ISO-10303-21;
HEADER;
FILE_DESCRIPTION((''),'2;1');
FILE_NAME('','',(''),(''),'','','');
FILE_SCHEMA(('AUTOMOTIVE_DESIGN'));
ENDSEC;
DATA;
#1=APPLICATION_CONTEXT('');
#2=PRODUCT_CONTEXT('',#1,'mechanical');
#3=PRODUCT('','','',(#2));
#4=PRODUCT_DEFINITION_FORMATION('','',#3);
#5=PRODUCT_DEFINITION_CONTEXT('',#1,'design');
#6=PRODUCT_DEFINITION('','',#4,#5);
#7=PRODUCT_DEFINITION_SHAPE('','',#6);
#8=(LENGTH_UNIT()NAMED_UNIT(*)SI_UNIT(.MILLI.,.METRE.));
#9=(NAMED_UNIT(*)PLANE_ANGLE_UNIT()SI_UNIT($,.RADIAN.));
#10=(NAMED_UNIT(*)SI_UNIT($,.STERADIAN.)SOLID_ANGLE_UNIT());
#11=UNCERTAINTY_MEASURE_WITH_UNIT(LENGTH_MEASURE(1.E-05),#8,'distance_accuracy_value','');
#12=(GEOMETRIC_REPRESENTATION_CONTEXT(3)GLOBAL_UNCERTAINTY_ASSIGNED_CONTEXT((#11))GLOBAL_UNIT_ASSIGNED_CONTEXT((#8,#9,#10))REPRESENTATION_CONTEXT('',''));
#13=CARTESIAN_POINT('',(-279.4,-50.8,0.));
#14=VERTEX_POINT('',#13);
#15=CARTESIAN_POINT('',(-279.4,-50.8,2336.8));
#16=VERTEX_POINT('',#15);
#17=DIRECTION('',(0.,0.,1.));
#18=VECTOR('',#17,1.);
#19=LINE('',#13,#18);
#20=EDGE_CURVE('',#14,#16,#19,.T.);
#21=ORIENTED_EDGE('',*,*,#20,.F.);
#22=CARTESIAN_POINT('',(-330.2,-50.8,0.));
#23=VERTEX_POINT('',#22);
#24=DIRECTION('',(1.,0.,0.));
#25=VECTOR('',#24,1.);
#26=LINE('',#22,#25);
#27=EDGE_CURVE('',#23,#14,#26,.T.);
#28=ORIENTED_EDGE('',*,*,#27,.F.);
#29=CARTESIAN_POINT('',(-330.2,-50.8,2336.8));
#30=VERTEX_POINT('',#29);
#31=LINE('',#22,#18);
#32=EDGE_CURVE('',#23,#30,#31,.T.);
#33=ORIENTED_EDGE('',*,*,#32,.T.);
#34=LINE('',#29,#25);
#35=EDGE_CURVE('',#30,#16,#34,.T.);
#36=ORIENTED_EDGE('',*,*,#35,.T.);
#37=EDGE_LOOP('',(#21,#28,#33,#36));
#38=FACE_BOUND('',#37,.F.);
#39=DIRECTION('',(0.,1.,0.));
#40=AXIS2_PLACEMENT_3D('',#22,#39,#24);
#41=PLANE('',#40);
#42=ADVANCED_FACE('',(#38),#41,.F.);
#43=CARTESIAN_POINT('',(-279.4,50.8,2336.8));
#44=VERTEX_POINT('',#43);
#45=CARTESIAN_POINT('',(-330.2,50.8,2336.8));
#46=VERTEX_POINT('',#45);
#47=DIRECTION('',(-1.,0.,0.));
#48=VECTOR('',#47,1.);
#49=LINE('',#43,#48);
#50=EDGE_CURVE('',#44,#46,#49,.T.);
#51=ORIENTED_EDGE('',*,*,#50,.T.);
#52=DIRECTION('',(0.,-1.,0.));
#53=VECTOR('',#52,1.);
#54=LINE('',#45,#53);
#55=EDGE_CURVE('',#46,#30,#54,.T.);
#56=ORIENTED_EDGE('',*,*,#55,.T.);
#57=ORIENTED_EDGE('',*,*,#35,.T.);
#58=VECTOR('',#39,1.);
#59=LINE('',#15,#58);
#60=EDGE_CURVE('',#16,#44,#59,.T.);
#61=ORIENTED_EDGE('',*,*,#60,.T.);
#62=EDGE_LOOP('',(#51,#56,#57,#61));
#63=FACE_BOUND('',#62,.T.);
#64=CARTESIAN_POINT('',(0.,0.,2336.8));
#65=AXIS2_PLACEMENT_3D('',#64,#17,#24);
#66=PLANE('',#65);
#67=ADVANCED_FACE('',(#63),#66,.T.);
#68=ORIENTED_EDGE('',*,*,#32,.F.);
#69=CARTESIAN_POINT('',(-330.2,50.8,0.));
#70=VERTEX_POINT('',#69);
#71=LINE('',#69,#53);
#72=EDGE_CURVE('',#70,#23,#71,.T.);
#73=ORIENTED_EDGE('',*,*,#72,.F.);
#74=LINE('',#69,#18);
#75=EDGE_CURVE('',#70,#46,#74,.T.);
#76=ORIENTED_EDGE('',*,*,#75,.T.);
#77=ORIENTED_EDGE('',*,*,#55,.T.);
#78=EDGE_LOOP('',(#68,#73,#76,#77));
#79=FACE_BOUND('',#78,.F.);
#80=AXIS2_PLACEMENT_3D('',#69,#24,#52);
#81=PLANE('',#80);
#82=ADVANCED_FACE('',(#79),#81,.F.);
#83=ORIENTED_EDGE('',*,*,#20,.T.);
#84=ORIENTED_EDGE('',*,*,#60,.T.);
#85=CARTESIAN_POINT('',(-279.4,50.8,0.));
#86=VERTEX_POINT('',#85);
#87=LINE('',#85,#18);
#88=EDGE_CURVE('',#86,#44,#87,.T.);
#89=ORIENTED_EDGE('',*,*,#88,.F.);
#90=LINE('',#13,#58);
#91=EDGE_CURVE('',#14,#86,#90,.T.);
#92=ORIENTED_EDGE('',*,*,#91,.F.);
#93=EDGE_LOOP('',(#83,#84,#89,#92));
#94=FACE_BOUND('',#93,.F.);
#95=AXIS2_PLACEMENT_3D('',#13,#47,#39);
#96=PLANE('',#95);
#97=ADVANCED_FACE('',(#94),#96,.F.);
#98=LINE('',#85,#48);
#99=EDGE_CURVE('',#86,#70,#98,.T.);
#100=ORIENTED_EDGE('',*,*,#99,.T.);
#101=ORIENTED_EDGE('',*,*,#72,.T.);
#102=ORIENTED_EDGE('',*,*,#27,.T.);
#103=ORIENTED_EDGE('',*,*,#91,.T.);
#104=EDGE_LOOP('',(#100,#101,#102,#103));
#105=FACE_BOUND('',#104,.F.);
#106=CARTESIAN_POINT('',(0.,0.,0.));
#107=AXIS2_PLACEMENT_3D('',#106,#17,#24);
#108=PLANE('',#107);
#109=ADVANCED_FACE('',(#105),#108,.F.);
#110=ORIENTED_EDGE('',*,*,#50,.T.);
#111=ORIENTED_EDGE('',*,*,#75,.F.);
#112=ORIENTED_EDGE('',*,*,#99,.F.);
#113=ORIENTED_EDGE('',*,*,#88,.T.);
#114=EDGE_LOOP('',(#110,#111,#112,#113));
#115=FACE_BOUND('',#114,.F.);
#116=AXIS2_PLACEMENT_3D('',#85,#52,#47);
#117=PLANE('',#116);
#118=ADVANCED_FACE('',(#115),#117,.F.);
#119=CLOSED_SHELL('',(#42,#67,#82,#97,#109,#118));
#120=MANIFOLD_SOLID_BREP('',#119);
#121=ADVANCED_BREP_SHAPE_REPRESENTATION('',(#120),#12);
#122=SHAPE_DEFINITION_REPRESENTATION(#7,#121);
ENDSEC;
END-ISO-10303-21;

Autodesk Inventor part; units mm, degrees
ref_plane "YZ Plane" through (0, 0, 0) normal (1, 0, 0) x (0, 1, 0)
ref_plane "XZ Plane" through (0, 0, 0) normal (0, 1, 0) x (-1, 0, 0)
ref_plane "XY Plane" through (0, 0, 0) normal (0, 0, 1) x (1, 0, 0)
ref_plane "Work Plane1" through (0, 0, 0) normal (0, 0, 1) x (1, 0, 0)
sketch "Sketch1" plane through (0, 0, 0) normal (0, 0, 1) x (1, 0, 0)
  line L0 (-330.2, -50.8) -> (-279.4, -50.8)
  line L1 (-279.4, -50.8) -> (-279.4, 50.8)
  line L2 (-279.4, 50.8) -> (-330.2, 50.8)
  line L3 (-330.2, 50.8) -> (-330.2, -50.8)
  point P0 (0, 0)
  dimension "d0" = 101.6
  dimension "d1" = 50.8
extrude "Extrusion1" add sketch "Sketch1" along normal blind 2336.8
properties part number "2x4x90"
